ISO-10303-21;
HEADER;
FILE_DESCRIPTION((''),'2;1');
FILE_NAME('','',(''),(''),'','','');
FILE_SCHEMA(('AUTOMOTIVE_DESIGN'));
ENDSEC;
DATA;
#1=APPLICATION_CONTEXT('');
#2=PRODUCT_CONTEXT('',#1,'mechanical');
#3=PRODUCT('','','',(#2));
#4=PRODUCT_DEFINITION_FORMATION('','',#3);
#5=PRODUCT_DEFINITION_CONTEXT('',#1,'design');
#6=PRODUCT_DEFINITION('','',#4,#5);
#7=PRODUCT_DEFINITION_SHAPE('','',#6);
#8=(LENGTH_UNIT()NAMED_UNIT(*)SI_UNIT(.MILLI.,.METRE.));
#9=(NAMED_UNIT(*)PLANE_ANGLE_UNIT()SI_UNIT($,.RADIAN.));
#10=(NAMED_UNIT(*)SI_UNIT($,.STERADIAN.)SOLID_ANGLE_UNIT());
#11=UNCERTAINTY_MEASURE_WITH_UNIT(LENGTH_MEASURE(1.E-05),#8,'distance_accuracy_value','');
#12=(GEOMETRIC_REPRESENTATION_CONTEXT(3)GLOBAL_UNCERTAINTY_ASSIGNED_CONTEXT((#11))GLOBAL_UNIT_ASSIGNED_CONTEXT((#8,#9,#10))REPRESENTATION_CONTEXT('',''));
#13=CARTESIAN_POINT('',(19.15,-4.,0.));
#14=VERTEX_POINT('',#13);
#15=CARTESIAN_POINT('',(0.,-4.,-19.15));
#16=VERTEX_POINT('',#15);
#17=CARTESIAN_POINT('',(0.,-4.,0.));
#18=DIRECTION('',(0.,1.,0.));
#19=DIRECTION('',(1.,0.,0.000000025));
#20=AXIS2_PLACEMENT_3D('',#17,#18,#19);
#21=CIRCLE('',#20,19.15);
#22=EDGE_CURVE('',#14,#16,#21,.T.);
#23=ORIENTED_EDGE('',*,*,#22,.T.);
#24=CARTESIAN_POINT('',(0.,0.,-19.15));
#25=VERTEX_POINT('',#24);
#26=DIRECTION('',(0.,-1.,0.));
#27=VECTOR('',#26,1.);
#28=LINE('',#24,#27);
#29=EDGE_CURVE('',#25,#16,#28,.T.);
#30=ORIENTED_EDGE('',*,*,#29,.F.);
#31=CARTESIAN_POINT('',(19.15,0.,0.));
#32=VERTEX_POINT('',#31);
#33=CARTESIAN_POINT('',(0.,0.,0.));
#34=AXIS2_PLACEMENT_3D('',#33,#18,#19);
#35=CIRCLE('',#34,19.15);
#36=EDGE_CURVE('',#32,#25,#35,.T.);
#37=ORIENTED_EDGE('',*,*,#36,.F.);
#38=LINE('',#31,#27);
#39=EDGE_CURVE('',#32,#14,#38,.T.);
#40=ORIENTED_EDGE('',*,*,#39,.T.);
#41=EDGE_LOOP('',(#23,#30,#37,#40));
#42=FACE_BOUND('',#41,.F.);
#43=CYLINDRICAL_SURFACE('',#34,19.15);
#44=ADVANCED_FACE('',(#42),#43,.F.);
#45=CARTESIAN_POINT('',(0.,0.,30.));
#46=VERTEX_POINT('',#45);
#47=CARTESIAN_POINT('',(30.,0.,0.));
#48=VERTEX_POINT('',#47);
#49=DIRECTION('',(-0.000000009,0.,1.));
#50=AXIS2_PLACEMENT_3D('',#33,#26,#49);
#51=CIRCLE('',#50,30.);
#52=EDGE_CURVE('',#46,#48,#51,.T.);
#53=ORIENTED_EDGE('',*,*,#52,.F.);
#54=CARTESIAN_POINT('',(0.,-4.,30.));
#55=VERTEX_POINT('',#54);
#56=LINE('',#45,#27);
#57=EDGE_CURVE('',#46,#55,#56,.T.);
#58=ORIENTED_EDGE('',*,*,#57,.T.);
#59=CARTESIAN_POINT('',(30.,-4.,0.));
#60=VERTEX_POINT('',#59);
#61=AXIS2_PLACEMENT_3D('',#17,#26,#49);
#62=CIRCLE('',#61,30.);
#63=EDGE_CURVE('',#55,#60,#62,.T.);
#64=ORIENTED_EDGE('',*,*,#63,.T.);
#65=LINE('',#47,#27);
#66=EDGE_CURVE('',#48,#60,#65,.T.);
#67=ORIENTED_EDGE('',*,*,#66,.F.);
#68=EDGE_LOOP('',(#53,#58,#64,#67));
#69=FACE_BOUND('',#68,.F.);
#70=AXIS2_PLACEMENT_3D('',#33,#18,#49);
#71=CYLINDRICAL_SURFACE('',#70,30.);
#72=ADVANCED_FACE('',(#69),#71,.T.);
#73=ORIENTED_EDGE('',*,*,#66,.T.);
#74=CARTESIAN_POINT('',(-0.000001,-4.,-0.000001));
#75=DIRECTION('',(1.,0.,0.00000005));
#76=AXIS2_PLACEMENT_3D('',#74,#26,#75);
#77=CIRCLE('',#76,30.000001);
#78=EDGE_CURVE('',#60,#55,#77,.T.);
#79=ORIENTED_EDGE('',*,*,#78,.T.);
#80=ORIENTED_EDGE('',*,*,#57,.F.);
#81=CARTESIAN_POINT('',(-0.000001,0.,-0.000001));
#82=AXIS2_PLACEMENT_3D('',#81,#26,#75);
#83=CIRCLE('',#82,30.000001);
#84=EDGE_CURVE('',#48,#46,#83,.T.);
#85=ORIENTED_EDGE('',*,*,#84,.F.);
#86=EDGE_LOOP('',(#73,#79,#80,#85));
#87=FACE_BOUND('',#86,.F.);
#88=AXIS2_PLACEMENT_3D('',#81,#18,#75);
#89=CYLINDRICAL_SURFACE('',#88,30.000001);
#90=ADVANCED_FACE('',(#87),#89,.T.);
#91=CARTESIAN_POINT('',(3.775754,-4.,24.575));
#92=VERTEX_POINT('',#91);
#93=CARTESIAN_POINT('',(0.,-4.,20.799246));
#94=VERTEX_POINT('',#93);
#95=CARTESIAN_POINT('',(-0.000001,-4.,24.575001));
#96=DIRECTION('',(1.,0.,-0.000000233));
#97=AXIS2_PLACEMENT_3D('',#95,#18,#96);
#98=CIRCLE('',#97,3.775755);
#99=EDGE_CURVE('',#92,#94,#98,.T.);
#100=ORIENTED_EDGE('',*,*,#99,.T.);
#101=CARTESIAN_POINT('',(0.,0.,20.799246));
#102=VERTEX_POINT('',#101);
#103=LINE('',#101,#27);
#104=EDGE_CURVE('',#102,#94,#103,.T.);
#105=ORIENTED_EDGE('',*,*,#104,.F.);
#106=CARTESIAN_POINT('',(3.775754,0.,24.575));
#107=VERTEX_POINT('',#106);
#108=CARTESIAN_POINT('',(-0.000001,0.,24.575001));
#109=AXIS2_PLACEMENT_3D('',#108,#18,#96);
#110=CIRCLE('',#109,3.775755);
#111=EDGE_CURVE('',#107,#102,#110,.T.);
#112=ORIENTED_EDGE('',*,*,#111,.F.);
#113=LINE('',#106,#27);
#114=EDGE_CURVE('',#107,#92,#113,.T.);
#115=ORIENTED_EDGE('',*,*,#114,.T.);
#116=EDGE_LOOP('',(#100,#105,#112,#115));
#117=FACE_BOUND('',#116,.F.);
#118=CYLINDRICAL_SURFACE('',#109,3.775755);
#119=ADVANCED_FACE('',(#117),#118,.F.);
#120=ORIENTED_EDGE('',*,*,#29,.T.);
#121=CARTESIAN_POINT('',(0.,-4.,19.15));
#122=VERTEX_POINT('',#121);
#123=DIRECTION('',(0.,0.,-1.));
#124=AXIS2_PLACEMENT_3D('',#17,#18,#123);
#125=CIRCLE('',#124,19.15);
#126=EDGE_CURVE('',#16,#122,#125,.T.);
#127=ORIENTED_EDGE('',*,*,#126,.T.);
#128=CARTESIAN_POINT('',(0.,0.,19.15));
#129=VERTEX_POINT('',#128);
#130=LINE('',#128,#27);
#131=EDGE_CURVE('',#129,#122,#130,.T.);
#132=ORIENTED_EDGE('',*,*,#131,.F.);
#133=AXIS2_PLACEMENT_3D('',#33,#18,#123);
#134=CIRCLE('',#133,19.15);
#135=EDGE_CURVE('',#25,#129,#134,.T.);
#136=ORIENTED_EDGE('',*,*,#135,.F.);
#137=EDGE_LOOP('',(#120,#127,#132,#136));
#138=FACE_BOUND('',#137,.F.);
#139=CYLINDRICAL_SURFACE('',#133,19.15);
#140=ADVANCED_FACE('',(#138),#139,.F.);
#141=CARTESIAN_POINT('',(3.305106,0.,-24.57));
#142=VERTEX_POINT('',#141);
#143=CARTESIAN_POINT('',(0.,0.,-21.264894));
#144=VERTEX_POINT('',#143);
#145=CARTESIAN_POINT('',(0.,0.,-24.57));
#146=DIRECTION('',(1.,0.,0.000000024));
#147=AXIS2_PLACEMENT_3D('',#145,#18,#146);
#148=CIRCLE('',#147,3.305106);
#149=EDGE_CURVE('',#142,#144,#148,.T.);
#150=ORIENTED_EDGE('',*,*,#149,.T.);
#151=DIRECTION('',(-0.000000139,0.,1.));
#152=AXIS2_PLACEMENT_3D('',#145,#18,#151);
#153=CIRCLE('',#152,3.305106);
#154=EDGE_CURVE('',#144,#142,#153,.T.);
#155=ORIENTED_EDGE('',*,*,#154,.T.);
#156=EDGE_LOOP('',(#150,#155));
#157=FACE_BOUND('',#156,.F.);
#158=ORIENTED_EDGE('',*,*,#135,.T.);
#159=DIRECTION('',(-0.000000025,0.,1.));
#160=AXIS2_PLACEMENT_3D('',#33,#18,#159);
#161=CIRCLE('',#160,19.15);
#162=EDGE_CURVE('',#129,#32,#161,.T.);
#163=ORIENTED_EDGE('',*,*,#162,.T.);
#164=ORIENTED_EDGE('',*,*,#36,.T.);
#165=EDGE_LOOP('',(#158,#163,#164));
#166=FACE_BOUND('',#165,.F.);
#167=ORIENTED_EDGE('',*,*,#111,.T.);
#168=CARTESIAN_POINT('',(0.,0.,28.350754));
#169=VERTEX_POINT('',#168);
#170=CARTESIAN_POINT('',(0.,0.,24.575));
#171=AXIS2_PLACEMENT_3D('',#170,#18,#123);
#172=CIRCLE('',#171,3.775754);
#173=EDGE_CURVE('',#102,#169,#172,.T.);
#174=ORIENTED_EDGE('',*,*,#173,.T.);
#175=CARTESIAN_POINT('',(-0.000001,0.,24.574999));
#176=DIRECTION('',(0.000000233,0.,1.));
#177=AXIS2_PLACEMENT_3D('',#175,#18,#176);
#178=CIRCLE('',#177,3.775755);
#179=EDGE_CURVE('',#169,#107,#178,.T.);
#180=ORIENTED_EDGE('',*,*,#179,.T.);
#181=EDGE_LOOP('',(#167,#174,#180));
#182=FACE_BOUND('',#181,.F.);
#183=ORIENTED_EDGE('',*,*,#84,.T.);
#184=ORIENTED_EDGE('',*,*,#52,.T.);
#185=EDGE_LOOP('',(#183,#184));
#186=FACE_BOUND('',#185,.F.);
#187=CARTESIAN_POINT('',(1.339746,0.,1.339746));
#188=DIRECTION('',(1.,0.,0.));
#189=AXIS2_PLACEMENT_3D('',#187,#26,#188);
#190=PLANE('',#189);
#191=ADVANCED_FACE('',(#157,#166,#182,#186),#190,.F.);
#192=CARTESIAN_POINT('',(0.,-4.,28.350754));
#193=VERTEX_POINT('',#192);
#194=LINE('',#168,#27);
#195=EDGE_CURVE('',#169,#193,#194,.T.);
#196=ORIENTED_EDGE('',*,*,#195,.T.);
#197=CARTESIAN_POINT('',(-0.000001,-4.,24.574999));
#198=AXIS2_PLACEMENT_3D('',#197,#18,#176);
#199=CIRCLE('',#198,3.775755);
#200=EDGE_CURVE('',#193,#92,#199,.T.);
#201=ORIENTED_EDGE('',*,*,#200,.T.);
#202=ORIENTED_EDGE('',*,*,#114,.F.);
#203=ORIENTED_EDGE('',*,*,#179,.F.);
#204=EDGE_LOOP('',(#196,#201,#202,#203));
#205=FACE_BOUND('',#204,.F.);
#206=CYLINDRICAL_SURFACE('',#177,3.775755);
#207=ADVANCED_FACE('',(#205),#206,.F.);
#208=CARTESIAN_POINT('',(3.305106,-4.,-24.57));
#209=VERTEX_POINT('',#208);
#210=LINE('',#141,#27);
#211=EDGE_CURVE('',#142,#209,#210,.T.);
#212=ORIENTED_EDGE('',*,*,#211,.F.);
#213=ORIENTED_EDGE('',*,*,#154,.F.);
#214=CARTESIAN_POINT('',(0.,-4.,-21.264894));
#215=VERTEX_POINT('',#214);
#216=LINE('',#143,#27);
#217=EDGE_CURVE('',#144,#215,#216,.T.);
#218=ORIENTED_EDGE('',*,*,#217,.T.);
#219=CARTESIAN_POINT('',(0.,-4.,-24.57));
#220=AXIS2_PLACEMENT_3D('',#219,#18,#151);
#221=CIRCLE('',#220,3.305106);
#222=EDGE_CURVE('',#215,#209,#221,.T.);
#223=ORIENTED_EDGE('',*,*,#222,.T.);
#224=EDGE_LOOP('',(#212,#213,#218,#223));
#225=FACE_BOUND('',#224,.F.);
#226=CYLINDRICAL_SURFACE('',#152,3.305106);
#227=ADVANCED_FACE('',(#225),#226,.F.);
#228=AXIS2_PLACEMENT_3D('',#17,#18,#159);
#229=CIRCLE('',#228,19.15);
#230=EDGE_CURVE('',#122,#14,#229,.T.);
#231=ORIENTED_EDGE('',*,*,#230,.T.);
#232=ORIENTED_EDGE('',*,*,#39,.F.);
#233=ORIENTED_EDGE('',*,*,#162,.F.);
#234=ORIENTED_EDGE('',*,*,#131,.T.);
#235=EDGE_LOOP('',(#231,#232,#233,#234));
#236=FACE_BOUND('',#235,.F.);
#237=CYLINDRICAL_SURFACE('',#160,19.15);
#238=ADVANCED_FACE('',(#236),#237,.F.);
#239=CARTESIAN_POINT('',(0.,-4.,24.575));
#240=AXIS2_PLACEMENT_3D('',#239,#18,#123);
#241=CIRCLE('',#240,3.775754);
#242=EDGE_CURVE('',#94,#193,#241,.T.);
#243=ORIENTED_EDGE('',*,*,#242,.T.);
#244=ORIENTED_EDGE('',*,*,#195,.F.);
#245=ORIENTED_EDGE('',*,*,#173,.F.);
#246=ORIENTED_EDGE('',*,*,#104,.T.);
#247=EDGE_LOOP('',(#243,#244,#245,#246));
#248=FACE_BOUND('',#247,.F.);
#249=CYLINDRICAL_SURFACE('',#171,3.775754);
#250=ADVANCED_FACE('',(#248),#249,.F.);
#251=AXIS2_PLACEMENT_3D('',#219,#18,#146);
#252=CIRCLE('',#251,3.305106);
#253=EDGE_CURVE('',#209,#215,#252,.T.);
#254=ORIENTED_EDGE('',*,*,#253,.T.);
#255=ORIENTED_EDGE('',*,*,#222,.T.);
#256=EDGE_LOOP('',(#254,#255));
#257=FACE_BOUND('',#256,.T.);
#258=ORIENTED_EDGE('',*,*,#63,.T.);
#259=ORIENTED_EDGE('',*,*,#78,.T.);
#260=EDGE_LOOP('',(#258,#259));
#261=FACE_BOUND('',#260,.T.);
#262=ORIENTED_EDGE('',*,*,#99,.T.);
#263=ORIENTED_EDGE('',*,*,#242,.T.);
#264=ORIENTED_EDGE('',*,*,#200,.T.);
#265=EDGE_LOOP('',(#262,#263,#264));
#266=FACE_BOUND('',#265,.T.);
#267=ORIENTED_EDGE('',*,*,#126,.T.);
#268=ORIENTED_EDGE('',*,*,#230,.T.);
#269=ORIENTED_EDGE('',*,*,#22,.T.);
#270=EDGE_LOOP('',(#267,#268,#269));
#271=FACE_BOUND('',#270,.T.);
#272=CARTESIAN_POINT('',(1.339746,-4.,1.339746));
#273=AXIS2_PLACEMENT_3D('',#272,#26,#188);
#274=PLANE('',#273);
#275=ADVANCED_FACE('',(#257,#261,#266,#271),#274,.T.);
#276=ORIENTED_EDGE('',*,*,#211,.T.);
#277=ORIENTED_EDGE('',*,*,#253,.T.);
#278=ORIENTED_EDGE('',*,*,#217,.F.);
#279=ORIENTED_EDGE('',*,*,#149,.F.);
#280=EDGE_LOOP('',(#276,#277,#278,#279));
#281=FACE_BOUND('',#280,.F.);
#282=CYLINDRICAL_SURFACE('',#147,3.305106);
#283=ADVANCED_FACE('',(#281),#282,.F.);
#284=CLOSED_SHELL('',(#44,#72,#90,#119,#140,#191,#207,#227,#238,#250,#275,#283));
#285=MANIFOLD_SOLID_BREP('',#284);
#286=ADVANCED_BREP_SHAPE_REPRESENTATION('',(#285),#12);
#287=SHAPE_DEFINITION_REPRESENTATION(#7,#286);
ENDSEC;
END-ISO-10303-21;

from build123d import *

# Parameters (mm, degrees)
F1_DEPTH = 4


with BuildPart() as f1:
    # F0 (on Front) → F1 (new body)
    with BuildSketch(Plane.XZ):
        with BuildLine():
            ThreePointArc((0, 30), (-21.213203, -21.213203), (30, 0))
            ThreePointArc((30, 0), (21.213203, 21.213203), (0, 30))
        make_face()
        with BuildLine():
            ThreePointArc((3.305106, -24.57), (-2.337063, -26.907063), (0, -21.264894))
            ThreePointArc((0, -21.264894), (2.337063, -22.232937), (3.305106, -24.57))
        make_face(mode=Mode.SUBTRACT)
        with BuildLine():
            ThreePointArc((0, -19.15), (-19.15, 0), (0, 19.15))
            ThreePointArc((0, 19.15), (13.541095, 13.541095), (19.15, 0))
            ThreePointArc((19.15, 0), (13.541095, -13.541095), (0, -19.15))
        make_face(mode=Mode.SUBTRACT)
        with BuildLine():
            ThreePointArc((0, 20.799246), (-3.775754, 24.575), (0, 28.350754))
            ThreePointArc((0, 28.350754), (2.669861, 27.244861), (3.775754, 24.575))
            ThreePointArc((3.775754, 24.575), (2.669861, 21.905139), (0, 20.799246))
        make_face(mode=Mode.SUBTRACT)
    extrude(amount=F1_DEPTH)


solid = f1.part
